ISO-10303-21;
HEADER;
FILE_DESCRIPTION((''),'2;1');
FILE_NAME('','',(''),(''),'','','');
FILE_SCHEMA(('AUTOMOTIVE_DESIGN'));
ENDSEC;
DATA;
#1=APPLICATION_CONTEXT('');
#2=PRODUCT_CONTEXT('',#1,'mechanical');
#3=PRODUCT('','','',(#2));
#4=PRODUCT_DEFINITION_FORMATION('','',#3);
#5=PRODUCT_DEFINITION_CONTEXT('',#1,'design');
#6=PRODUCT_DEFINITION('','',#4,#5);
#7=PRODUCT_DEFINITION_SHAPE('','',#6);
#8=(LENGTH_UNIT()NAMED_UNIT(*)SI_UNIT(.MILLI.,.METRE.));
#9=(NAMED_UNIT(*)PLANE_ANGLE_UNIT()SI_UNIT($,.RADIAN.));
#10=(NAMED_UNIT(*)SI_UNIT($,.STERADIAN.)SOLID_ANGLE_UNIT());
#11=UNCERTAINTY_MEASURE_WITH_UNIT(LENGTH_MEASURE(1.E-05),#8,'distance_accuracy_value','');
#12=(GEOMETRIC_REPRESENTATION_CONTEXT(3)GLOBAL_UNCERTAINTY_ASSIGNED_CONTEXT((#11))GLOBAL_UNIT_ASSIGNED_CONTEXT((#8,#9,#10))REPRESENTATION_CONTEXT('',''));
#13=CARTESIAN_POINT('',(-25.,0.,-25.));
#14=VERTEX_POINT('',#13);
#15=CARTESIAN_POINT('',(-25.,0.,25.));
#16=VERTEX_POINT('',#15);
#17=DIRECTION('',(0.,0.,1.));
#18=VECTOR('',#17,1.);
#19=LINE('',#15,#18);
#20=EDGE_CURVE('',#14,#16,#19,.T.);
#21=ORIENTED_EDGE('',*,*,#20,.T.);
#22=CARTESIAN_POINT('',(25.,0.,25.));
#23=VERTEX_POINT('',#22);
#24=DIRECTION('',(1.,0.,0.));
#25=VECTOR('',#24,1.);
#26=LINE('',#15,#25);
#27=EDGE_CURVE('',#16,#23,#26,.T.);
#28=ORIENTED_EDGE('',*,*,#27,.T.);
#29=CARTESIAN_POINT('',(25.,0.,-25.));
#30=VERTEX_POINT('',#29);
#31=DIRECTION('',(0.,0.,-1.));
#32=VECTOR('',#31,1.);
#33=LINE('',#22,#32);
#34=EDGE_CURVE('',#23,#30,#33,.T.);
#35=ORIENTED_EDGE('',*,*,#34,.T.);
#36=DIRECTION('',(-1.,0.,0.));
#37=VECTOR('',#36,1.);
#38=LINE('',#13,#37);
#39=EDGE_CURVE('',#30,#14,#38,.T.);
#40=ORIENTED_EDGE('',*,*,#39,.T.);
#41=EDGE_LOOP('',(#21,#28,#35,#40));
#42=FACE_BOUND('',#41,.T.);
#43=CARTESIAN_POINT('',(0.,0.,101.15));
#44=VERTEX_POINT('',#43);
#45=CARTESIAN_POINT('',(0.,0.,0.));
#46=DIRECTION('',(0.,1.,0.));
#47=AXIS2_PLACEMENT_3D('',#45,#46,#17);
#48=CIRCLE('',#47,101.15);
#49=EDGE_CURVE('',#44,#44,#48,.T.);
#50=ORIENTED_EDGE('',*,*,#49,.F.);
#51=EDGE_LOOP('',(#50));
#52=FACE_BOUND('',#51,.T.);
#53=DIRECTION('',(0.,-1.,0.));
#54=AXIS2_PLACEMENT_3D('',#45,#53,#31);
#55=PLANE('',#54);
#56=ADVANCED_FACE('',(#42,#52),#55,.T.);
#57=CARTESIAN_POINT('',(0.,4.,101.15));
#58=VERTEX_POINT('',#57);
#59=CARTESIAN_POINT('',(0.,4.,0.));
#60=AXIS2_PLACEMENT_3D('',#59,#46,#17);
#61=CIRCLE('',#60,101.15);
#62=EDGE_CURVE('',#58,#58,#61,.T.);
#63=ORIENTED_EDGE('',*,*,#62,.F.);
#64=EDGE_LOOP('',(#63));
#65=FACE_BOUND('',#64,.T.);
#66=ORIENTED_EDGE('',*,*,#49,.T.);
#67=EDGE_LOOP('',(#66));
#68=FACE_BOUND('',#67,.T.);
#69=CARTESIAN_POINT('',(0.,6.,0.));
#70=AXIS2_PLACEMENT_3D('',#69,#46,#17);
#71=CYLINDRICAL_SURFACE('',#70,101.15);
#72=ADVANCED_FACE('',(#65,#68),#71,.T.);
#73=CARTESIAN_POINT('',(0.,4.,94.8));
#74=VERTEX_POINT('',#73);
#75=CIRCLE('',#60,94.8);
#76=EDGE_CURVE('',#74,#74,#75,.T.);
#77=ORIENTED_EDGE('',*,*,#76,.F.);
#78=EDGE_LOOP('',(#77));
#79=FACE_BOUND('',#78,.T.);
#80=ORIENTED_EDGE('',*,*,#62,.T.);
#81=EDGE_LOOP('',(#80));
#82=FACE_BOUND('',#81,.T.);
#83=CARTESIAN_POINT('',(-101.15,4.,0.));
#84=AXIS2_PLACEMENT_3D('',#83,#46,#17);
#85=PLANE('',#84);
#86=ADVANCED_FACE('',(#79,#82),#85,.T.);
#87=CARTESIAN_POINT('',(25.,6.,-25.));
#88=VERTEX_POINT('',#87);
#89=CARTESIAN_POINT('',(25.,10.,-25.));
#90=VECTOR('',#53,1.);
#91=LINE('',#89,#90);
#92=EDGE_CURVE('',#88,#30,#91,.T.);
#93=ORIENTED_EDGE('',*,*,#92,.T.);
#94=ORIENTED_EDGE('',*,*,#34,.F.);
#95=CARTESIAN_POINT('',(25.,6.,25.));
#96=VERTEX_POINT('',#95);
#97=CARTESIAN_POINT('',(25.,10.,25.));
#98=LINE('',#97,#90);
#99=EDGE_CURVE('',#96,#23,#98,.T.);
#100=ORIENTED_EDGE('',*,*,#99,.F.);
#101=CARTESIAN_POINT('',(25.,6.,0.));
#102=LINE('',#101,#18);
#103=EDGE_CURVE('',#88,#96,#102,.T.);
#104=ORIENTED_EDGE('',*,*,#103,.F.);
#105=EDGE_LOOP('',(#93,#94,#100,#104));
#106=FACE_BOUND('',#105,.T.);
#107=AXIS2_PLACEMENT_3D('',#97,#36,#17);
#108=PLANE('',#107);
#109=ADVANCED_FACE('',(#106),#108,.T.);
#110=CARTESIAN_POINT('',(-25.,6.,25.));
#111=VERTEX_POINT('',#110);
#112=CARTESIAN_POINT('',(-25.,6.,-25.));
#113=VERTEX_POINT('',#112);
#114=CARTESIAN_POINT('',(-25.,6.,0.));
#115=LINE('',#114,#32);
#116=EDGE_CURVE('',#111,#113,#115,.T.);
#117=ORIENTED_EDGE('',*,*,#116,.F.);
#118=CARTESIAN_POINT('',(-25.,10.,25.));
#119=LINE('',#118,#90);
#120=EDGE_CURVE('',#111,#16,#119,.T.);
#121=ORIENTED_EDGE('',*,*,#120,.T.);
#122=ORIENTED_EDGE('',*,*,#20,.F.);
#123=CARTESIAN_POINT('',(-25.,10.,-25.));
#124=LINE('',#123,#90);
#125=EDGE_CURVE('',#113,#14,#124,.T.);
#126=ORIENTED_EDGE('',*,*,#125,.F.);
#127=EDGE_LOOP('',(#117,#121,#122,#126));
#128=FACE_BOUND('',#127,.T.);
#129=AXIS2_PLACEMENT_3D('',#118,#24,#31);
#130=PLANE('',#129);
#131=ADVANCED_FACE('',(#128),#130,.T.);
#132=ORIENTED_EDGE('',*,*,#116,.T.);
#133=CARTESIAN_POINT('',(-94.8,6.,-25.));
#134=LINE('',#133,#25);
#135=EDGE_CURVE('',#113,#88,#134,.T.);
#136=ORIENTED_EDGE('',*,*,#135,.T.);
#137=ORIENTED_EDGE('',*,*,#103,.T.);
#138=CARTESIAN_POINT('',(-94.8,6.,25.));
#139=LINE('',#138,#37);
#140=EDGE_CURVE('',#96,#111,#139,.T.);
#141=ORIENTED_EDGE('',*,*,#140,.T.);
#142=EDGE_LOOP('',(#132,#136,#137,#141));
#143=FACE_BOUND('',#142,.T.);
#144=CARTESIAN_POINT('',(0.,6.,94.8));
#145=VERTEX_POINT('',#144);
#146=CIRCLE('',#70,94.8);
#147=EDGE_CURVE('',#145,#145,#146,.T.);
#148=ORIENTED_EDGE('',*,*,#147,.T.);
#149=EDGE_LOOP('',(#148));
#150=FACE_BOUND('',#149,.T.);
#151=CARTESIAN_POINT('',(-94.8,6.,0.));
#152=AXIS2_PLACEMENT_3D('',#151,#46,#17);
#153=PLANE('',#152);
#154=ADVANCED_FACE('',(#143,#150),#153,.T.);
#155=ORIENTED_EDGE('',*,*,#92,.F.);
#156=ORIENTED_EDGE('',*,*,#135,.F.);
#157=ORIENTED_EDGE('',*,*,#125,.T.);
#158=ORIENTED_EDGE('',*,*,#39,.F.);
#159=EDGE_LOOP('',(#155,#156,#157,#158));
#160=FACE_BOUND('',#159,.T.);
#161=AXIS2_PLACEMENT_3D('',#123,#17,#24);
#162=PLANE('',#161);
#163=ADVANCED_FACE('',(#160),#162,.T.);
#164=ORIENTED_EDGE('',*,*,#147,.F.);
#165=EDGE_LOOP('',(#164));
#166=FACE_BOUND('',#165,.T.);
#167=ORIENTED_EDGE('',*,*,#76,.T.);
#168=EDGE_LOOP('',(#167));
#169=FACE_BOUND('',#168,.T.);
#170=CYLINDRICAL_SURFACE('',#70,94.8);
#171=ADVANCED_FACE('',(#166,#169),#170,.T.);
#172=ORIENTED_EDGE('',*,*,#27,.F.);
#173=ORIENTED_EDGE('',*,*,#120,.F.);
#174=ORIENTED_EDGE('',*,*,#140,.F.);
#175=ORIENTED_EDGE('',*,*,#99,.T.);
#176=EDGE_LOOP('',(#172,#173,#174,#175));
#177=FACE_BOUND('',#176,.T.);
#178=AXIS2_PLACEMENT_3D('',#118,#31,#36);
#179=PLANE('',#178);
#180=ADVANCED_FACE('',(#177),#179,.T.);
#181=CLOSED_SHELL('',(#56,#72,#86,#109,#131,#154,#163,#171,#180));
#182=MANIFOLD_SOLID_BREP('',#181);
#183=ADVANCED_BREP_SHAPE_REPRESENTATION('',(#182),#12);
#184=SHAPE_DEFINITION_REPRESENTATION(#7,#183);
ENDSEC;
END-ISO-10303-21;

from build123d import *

# Parameters (mm, degrees)
SKETCH2_W          = 50
SKETCH2_H          = 50
CUT_EXTRUDE1_DEPTH = 10


with BuildPart() as part:
    # Sketch1 → Revolve1 (revolve)
    with BuildSketch(Plane.XY, mode=Mode.PRIVATE) as revolve1_sk:
        Polygon((0, 0), (-101.15, 0), (-101.15, 4), (-94.8, 4), (-94.8, 6), (0, 6), align=None)
    revolve(revolve1_sk.sketch.rotate(Axis((0, 6, 0), (0, -1, 0)), 270), axis=Axis((0, 6, 0), (0, -1, 0)))

    # Sketch2 → Cut-Extrude1 (cut)
    with BuildSketch(Plane(origin=(0, 0, 0), x_dir=(1, 0, 0), z_dir=(0, 1, 0))):
        Rectangle(SKETCH2_W, SKETCH2_H)
    extrude(amount=CUT_EXTRUDE1_DEPTH, mode=Mode.SUBTRACT)


solid = part.part
